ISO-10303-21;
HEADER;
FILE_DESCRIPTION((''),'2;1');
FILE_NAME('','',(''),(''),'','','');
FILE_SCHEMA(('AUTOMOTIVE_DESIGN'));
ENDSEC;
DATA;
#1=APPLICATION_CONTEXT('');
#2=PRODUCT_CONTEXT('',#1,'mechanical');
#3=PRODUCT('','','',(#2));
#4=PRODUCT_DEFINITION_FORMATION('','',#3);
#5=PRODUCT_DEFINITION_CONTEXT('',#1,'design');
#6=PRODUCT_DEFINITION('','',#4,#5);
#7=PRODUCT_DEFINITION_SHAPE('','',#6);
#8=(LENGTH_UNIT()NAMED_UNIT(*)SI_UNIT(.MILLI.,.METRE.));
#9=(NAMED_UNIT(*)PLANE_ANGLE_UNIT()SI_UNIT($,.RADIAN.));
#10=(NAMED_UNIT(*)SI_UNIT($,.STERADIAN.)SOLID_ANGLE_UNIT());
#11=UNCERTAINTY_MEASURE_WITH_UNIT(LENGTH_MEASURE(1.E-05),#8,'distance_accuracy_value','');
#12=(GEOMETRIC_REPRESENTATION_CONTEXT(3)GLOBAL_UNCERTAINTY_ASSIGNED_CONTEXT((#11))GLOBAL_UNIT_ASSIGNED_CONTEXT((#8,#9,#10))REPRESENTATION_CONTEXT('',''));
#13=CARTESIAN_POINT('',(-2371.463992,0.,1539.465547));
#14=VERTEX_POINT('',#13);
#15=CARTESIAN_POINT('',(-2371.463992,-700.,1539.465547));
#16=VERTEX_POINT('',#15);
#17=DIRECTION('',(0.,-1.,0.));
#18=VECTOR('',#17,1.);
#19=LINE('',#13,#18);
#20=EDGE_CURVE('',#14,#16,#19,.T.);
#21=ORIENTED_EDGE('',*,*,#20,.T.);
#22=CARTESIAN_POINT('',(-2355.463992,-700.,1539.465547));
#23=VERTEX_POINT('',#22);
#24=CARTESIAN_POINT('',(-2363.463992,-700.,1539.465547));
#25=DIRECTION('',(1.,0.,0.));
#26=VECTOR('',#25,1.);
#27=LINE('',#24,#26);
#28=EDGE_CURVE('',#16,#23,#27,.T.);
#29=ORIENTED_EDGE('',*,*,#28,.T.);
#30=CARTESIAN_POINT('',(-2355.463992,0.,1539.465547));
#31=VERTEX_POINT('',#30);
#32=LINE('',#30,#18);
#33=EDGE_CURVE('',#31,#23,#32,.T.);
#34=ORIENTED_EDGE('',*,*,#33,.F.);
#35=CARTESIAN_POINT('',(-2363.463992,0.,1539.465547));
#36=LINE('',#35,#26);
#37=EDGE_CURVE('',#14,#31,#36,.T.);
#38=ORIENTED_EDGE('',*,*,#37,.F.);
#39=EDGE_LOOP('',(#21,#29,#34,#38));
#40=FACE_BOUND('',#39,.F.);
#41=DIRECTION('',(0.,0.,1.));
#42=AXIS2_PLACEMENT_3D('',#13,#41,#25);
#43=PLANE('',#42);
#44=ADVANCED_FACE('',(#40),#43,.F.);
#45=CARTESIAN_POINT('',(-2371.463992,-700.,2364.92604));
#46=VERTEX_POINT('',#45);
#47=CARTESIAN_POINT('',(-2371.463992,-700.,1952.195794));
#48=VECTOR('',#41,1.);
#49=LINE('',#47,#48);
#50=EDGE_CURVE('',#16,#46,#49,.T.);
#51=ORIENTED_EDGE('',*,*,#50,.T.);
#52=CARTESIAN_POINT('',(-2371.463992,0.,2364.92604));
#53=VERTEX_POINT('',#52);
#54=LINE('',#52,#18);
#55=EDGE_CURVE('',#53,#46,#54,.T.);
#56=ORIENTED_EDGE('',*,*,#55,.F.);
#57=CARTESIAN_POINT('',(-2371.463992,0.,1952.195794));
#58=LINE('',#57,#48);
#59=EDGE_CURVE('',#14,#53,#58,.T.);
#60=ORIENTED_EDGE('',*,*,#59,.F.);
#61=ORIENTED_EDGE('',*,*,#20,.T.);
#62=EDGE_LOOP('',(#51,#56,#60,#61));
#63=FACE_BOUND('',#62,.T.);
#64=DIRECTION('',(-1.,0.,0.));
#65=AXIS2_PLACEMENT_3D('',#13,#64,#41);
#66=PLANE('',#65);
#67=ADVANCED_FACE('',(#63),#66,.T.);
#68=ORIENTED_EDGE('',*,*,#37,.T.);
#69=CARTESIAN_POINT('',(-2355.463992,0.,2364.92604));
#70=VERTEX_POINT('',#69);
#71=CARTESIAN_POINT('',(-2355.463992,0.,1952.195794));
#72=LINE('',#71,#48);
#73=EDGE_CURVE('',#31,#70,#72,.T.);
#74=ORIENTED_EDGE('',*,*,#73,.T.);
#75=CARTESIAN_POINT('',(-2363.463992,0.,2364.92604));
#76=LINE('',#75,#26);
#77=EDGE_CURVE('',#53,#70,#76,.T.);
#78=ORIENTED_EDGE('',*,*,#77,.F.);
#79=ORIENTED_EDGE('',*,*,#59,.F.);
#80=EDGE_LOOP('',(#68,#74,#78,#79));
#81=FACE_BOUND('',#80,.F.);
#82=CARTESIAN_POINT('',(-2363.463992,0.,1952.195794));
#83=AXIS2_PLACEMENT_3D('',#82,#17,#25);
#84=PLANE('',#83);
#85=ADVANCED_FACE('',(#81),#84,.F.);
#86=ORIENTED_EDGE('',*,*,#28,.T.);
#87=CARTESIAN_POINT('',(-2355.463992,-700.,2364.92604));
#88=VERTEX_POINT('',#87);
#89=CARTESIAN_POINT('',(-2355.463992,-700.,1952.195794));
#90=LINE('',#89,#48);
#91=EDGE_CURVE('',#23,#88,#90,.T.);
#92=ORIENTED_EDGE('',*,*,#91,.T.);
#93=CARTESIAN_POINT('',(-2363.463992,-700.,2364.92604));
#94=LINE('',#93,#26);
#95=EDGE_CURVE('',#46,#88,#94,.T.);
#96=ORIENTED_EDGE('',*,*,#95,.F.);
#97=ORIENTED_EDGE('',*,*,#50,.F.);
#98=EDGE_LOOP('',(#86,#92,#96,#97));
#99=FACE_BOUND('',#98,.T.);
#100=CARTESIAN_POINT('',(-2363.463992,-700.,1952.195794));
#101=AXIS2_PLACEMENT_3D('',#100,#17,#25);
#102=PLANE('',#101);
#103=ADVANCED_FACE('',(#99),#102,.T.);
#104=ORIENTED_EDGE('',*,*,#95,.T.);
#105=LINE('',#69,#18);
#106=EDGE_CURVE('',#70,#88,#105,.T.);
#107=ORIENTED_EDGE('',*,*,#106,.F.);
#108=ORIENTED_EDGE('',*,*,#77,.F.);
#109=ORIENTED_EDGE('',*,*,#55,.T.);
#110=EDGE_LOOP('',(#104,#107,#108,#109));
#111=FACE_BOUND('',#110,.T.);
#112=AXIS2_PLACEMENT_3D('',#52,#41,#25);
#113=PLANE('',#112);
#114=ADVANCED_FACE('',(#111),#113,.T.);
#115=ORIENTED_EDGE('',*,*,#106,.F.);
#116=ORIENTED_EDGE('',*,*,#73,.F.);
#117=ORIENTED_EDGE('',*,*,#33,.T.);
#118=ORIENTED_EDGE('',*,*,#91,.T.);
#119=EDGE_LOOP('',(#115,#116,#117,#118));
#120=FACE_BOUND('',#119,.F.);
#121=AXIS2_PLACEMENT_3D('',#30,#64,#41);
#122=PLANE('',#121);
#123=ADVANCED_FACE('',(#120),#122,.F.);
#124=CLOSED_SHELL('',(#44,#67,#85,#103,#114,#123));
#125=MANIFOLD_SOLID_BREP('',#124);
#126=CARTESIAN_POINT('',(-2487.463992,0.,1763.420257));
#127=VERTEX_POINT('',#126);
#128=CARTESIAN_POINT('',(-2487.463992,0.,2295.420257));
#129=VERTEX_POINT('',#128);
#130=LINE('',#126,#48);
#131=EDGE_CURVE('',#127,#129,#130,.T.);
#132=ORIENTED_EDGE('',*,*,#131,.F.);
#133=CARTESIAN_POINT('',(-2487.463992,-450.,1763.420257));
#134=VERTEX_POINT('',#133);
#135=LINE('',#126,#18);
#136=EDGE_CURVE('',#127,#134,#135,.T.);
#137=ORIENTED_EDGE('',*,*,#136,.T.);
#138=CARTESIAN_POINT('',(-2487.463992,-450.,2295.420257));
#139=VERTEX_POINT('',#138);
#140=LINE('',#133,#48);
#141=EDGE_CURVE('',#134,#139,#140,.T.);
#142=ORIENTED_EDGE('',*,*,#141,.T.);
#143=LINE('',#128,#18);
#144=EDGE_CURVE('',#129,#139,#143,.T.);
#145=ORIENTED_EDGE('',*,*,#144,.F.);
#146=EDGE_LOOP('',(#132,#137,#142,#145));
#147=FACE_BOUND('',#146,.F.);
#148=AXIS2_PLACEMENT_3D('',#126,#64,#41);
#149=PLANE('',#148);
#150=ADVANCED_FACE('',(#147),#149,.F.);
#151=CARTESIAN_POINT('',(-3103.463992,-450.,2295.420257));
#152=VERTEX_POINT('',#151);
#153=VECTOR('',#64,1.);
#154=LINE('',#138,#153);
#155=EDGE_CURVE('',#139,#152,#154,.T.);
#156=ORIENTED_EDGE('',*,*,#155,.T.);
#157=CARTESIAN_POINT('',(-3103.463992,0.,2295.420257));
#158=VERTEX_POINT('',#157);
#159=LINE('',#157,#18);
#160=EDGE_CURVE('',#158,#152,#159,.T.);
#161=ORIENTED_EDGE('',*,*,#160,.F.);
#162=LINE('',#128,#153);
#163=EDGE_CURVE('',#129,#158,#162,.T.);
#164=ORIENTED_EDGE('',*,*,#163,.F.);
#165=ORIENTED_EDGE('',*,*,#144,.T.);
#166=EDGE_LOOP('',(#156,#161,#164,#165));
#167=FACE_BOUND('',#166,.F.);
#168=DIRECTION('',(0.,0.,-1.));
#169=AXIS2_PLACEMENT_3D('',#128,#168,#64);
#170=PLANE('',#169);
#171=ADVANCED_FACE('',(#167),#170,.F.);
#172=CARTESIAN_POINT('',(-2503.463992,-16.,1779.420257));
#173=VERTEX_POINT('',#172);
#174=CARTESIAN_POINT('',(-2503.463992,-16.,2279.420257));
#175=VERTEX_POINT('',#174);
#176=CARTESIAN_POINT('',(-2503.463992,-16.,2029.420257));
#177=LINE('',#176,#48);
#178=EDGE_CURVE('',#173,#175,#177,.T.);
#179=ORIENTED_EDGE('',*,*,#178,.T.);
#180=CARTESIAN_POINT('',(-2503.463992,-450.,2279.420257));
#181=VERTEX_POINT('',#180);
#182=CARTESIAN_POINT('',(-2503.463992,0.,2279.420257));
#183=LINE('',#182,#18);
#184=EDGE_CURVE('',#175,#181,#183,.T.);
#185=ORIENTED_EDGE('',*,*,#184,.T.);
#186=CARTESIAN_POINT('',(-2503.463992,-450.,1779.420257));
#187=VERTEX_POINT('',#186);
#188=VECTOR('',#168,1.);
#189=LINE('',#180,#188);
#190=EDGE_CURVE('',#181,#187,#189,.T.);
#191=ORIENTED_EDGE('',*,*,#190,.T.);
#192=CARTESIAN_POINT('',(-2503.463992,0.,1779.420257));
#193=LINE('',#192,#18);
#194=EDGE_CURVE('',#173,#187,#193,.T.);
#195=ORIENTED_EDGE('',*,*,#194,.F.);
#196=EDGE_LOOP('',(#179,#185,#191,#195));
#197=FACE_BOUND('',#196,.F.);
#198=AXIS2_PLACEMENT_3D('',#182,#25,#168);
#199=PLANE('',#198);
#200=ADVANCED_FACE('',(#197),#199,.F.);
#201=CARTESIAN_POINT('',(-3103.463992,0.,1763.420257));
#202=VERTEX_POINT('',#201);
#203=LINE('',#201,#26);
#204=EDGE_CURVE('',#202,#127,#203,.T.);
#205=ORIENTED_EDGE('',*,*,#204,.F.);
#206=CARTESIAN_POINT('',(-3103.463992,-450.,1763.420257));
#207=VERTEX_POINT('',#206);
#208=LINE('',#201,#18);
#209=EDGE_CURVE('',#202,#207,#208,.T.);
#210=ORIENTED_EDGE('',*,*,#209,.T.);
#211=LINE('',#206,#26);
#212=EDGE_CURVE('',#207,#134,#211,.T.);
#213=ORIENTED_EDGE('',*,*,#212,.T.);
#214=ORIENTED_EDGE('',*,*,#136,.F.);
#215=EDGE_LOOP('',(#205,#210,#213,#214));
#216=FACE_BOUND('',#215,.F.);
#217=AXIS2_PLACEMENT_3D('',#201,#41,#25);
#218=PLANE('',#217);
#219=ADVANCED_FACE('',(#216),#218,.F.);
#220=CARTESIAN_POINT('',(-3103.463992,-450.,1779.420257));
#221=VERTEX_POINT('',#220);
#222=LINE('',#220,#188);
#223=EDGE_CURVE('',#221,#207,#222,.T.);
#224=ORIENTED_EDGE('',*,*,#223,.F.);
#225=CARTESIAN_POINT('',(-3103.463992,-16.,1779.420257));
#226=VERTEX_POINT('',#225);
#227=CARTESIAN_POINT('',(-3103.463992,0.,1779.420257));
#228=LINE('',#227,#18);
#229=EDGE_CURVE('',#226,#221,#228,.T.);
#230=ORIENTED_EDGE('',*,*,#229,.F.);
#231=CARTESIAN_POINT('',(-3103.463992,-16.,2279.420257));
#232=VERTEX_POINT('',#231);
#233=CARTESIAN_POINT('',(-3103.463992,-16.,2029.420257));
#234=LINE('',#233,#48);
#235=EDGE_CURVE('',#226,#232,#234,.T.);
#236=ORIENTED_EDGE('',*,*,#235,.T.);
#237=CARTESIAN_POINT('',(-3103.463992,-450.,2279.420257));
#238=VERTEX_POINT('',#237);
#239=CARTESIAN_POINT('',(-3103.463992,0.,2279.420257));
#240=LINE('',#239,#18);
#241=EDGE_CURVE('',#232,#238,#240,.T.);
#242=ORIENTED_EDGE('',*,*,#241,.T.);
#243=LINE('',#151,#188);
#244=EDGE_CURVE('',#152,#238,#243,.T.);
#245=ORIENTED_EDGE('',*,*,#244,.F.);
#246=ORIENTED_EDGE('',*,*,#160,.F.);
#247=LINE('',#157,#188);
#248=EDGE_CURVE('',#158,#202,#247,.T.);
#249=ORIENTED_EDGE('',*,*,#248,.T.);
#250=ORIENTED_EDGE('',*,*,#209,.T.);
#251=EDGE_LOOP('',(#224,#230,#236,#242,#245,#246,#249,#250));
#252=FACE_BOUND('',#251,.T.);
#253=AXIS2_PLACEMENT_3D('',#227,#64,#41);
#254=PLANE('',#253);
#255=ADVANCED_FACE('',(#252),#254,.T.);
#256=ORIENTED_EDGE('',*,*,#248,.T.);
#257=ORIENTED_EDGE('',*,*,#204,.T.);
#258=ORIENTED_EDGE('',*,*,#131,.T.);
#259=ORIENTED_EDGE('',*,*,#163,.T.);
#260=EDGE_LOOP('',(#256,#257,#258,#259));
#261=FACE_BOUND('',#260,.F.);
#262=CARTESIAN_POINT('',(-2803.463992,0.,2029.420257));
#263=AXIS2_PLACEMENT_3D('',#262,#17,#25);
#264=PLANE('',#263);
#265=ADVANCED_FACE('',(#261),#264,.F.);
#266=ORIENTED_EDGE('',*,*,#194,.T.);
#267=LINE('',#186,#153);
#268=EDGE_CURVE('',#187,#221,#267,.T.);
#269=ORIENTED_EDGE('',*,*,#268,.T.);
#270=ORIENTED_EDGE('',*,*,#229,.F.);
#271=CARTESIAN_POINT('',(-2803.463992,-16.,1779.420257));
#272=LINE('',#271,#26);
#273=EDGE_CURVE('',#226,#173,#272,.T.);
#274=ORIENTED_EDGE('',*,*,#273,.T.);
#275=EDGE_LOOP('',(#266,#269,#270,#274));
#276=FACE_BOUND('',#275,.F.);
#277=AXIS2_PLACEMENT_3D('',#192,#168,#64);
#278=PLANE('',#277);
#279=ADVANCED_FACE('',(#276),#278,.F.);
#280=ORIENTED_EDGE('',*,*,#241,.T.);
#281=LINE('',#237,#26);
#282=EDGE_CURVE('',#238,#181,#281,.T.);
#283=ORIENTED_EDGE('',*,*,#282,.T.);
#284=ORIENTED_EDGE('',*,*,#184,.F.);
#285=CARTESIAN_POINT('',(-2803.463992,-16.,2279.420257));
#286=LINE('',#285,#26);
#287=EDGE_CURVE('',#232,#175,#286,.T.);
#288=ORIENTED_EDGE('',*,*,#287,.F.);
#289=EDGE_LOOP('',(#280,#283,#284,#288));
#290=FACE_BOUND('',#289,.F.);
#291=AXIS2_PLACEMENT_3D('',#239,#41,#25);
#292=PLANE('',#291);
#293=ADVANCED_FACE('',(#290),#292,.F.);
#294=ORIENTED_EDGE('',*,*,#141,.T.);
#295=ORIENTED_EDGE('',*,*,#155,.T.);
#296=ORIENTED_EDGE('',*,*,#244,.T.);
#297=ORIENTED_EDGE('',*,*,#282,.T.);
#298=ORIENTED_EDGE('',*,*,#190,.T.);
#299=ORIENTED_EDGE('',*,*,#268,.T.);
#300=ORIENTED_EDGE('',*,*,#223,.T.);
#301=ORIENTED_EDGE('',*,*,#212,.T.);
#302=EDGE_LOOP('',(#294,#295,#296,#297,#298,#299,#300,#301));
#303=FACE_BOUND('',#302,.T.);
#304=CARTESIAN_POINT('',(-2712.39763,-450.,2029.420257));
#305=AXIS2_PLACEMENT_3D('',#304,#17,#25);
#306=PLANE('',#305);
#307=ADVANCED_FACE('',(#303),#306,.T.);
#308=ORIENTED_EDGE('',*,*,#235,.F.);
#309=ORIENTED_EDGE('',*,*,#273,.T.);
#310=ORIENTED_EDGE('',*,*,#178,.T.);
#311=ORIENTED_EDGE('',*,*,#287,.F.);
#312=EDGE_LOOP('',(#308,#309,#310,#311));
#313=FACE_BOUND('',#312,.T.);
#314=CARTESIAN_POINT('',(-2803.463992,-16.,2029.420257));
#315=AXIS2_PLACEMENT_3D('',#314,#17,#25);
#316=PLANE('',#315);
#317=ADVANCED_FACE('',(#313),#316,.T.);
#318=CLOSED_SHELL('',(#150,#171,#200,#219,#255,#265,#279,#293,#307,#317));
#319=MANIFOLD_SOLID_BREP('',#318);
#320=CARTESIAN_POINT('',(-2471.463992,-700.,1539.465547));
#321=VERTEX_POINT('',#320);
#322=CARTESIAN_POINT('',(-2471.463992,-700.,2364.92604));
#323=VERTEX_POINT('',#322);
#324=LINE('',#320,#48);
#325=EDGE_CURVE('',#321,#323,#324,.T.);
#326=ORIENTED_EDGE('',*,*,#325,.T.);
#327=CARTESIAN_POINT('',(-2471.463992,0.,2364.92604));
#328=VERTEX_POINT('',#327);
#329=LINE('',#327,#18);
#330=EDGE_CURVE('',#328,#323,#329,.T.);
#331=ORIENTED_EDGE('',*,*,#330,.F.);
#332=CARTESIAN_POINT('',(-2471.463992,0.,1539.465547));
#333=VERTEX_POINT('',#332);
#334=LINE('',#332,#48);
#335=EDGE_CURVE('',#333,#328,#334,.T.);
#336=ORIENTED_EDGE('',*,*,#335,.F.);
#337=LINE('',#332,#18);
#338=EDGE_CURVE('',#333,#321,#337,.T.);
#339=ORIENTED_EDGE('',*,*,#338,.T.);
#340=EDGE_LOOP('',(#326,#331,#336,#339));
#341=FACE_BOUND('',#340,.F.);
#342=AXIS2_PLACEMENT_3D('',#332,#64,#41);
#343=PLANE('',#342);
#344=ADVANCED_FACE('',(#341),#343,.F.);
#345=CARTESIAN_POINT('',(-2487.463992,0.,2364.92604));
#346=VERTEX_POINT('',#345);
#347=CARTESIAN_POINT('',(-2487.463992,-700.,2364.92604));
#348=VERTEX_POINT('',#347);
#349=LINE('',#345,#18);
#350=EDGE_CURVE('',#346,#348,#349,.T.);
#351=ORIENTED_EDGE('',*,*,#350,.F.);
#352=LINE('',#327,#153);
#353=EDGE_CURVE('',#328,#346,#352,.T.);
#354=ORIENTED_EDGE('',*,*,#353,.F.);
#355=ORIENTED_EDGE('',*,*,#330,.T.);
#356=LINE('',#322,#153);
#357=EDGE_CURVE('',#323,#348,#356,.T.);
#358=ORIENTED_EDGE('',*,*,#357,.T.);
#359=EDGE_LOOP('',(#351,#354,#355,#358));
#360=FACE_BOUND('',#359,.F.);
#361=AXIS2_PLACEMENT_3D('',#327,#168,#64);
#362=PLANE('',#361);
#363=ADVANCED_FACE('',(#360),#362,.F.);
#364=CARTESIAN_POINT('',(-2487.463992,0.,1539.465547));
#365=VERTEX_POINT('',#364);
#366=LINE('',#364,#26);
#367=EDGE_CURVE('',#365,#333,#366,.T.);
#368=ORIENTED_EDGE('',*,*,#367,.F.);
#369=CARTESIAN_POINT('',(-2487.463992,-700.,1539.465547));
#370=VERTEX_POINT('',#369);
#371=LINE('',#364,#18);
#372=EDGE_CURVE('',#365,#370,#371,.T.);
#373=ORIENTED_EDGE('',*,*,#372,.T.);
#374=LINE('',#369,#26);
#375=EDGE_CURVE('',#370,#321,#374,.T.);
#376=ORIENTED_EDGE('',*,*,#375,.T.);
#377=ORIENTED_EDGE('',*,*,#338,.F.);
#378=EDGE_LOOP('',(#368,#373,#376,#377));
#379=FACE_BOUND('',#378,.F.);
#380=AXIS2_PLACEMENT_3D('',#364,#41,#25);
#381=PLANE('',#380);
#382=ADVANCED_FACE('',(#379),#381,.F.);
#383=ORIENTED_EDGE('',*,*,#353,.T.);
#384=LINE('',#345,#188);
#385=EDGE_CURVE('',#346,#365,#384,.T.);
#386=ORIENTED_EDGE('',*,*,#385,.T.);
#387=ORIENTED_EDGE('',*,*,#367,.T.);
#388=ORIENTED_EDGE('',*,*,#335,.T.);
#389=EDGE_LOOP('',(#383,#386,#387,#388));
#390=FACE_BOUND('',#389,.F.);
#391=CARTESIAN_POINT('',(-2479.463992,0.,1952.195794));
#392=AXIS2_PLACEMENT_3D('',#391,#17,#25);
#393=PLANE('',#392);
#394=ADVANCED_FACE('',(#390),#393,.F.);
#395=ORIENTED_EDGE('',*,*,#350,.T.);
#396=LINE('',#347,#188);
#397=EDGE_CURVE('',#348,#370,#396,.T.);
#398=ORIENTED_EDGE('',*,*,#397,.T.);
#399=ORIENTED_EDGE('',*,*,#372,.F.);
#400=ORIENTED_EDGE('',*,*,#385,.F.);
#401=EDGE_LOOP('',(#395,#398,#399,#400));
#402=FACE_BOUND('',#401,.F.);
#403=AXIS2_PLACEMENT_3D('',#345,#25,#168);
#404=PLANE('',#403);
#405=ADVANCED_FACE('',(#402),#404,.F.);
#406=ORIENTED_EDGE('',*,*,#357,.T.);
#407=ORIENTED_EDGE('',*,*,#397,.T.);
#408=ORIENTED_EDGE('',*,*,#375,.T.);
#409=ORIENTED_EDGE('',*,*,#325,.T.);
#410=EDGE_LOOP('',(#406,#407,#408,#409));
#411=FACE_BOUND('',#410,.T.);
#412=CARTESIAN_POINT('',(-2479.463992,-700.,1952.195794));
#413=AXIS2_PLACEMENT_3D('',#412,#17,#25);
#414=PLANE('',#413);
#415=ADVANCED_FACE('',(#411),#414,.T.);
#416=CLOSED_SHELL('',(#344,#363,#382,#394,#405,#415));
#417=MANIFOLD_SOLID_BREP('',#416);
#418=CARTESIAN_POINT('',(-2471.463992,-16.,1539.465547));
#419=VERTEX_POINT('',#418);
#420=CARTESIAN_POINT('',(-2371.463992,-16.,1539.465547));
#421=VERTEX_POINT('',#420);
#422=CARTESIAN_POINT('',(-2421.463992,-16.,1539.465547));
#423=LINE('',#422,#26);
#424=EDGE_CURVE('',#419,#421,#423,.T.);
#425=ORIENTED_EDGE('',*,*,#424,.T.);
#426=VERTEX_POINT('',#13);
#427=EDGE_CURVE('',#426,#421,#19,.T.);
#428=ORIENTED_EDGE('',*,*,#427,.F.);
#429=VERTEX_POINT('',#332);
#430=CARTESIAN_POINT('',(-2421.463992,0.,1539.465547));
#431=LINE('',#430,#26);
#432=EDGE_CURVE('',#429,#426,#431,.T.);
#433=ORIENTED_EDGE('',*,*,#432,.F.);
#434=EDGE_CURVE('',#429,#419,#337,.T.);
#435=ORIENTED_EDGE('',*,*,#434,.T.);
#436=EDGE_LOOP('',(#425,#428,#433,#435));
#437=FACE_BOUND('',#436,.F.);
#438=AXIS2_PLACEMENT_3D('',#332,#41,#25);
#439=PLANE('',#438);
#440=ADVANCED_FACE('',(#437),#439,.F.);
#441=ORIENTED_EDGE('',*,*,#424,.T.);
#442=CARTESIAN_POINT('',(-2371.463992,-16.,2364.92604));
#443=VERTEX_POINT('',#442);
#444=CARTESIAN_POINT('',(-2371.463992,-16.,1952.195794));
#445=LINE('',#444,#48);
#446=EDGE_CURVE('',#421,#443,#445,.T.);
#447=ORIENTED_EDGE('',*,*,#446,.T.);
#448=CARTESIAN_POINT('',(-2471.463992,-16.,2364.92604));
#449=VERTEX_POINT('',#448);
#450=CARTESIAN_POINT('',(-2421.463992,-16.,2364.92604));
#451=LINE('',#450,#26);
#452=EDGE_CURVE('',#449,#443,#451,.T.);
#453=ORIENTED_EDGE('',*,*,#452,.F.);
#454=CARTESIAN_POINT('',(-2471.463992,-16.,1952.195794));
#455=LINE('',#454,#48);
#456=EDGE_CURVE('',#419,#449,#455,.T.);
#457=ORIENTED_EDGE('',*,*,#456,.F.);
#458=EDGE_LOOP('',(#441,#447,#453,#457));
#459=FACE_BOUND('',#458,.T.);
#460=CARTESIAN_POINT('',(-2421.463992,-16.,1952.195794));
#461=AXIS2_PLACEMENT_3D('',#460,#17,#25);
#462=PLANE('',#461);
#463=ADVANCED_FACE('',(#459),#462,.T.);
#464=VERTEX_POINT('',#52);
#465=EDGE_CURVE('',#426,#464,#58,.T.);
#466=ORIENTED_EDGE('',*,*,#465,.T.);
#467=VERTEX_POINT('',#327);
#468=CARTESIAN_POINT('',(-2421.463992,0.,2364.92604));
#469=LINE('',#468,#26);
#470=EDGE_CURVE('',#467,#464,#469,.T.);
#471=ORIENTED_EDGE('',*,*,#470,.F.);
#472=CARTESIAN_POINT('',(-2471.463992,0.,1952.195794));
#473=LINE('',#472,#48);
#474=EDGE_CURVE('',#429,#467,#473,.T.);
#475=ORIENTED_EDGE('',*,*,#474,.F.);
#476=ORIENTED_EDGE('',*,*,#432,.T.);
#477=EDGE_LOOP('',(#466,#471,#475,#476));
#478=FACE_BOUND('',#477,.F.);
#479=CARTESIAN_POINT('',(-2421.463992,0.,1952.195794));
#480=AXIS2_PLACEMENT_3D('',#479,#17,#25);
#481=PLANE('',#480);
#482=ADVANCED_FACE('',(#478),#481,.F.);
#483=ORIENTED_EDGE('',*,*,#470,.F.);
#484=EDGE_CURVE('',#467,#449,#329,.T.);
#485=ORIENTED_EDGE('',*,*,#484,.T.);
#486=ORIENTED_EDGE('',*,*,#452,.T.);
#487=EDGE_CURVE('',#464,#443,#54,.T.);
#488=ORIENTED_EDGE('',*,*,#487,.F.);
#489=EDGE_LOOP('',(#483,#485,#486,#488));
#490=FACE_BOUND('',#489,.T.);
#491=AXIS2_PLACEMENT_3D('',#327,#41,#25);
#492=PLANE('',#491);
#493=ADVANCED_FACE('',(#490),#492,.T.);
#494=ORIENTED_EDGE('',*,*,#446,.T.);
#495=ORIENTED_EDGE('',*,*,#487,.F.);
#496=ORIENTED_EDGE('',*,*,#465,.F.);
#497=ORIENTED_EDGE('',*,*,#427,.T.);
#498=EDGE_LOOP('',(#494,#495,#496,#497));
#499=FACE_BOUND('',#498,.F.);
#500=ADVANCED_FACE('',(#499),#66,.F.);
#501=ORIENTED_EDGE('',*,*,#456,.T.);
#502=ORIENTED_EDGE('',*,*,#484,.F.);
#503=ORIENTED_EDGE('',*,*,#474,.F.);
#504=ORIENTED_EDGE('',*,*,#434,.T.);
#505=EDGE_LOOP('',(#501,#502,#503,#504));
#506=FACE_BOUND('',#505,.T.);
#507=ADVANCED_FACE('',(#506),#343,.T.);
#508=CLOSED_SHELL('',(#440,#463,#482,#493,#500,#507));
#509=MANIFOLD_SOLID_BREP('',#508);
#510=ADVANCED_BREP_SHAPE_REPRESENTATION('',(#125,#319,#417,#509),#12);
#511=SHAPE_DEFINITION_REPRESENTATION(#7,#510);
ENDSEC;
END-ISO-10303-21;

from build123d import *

# Parameters (mm, degrees)
F1_DEPTH = 450
F0_W     = 600
F0_H     = 500
F2_DEPTH = 16
F0_W_2   = 16
F0_H_2   = 825.460493
F3_DEPTH = 700
F0_W_3   = 100
F4_DEPTH = 16


with BuildPart() as f1:
    # F0 (on Front) → F1 (new body)
    with BuildSketch(Plane.XZ):
        Polygon((-3103.463992, 2295.420257), (-3103.463992, 2279.420257), (-2503.463992, 2279.420257), (-2503.463992, 1779.420257), (-3103.463992, 1779.420257), (-3103.463992, 1763.420257), (-2487.463992, 1763.420257), (-2487.463992, 2295.420257), align=None)
    extrude(amount=F1_DEPTH)

    # F0 (on Front) → F2 (join)
    with BuildSketch(Plane.XZ):
        with Locations((-2803.463992, 2029.420257)):
            Rectangle(F0_W, F0_H)
    extrude(amount=F2_DEPTH)


with BuildPart() as f3:
    # F0 (on Front) → F3 (new body)
    with BuildSketch(Plane.XZ):
        Polygon((-2487.463992, 2364.92604), (-2487.463992, 2295.420257), (-2487.463992, 1763.420257), (-2487.463992, 1539.465547), (-2471.463992, 1539.465547), (-2471.463992, 2364.92604), align=None)
        with Locations((-2363.463992, 1952.195794)):
            Rectangle(F0_W_2, F0_H_2)
    extrude(amount=F3_DEPTH)


with BuildPart() as f4:
    # F0 (on Front) → F4 (new body)
    with BuildSketch(Plane.XZ):
        with Locations((-2421.463992, 1952.195794)):
            Rectangle(F0_W_3, F0_H_2)
    extrude(amount=F4_DEPTH)


solid = Compound([f1.part, f3.part, f4.part])
